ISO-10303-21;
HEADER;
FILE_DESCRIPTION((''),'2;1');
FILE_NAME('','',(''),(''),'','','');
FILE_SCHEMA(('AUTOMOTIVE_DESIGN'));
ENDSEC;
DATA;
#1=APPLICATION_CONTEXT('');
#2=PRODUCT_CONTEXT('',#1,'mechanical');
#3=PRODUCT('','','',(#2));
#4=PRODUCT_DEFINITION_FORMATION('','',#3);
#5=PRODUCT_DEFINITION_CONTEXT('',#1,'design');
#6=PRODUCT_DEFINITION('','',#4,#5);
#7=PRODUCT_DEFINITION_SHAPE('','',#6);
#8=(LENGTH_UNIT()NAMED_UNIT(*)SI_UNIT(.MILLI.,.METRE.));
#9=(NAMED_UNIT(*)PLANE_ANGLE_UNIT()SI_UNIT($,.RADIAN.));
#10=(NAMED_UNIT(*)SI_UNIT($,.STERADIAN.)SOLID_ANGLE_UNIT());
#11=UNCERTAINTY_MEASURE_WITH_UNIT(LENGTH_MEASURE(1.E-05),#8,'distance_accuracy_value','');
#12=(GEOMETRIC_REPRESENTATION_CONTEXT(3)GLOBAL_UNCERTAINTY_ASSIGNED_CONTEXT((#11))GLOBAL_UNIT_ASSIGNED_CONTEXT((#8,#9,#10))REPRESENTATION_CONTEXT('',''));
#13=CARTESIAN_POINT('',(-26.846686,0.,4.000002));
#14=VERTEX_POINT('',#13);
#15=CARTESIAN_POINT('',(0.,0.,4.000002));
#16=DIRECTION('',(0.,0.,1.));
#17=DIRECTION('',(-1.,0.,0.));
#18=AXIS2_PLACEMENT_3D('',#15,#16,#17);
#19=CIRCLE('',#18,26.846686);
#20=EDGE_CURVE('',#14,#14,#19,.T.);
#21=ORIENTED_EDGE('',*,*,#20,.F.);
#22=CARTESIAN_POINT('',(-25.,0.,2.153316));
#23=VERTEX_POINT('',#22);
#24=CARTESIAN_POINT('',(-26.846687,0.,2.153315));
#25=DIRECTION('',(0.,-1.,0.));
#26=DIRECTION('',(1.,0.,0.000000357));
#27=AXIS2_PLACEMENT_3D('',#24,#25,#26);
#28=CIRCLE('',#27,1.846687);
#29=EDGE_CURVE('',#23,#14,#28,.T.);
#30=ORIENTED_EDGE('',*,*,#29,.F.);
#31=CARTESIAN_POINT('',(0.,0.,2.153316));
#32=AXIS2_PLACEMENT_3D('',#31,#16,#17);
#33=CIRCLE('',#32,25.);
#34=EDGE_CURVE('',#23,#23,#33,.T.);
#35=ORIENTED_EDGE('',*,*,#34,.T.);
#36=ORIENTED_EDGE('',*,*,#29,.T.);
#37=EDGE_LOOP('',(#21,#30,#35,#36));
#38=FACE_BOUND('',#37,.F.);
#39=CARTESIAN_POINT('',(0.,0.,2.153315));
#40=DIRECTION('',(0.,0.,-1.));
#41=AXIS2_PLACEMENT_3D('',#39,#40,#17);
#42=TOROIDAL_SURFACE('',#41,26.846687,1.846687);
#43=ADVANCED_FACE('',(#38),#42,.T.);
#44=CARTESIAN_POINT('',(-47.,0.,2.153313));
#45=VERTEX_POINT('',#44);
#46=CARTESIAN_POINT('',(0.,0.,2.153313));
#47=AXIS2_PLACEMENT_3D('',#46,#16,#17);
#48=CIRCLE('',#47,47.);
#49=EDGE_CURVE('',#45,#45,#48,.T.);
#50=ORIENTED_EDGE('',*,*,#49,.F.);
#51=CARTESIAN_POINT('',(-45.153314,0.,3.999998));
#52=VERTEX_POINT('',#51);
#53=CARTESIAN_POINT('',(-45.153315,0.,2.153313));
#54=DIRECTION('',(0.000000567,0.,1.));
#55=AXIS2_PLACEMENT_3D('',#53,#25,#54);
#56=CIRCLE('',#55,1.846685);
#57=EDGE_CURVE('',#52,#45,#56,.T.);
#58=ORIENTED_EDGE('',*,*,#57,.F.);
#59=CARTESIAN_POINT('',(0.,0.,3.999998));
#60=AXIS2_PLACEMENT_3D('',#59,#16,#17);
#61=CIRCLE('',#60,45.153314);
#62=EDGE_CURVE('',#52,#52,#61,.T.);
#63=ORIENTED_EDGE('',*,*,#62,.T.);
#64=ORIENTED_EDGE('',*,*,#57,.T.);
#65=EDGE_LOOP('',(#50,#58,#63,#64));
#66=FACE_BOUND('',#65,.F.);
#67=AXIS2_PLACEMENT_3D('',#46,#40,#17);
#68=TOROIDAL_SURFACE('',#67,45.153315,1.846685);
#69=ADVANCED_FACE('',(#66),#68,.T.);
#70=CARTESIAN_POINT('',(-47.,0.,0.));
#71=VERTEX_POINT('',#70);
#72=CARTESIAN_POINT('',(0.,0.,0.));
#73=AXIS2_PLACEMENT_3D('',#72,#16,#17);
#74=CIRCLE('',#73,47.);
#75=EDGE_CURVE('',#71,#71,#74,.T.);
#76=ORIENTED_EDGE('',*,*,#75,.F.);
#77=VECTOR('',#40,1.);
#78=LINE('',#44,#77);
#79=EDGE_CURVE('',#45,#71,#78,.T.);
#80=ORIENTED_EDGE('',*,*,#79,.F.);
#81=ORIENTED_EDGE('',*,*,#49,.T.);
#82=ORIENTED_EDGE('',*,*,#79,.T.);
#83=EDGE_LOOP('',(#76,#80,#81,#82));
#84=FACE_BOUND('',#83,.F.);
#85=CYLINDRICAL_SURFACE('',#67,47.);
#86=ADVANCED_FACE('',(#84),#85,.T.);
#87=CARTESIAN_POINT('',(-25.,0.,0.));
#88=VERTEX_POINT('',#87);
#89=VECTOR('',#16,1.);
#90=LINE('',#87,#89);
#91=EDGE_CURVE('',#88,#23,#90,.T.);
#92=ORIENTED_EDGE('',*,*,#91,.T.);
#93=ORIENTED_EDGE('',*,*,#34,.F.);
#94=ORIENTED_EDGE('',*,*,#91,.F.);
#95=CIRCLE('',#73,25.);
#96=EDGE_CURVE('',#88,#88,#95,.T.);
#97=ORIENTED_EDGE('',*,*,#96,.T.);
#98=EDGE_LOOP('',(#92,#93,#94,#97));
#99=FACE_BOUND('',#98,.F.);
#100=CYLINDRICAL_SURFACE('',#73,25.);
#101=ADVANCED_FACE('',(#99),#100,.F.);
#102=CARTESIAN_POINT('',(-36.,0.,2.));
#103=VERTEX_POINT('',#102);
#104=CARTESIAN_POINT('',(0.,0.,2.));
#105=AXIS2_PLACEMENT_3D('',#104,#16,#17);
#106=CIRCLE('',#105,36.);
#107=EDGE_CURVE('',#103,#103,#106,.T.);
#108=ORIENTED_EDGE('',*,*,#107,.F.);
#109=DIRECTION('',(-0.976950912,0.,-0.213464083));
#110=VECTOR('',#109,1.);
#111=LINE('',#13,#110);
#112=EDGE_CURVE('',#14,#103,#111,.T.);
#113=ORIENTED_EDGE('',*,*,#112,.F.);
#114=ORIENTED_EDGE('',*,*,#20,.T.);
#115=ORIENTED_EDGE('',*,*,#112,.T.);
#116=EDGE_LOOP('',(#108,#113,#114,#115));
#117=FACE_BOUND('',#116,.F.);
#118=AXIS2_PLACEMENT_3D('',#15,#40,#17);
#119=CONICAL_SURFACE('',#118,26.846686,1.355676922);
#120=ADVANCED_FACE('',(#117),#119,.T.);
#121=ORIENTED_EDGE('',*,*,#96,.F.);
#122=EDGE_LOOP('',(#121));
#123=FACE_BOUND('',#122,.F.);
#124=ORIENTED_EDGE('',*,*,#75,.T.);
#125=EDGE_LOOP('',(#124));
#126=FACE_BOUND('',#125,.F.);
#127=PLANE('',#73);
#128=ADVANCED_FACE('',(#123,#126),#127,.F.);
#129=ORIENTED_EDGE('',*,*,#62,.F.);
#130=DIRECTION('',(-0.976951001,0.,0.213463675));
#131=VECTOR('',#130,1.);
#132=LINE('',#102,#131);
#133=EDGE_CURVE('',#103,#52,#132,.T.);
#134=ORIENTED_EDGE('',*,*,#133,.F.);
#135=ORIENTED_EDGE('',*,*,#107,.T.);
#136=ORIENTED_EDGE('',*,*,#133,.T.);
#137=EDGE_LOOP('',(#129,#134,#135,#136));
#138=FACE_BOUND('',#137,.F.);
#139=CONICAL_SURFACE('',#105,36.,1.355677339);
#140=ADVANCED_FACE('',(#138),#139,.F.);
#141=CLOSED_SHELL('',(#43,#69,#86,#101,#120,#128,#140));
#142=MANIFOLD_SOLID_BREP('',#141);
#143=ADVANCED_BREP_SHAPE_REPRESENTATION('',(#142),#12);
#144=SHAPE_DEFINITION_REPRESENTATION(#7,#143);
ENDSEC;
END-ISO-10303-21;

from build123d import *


with BuildPart() as f1:
    # F0 (on Front) → F1 (revolve)
    with BuildSketch(Plane.XZ):
        with BuildLine():
            Line((-47, 0), (-25, 0))
            Line((-25, 0), (-25, 2.153316))
            ThreePointArc((-25, 2.153316), (-25.540882, 3.45912), (-26.846686, 4.000002))
            Line((-26.846686, 4.000002), (-36, 2))
            Line((-36, 2), (-45.153314, 3.999998))
            ThreePointArc((-45.153314, 3.999998), (-46.459118, 3.459117), (-47, 2.153313))
            Line((-47, 2.153313), (-47, 0))
        make_face()
    revolve(axis=Axis((0, 0, 2), (0, 0, 1)))


solid = f1.part
